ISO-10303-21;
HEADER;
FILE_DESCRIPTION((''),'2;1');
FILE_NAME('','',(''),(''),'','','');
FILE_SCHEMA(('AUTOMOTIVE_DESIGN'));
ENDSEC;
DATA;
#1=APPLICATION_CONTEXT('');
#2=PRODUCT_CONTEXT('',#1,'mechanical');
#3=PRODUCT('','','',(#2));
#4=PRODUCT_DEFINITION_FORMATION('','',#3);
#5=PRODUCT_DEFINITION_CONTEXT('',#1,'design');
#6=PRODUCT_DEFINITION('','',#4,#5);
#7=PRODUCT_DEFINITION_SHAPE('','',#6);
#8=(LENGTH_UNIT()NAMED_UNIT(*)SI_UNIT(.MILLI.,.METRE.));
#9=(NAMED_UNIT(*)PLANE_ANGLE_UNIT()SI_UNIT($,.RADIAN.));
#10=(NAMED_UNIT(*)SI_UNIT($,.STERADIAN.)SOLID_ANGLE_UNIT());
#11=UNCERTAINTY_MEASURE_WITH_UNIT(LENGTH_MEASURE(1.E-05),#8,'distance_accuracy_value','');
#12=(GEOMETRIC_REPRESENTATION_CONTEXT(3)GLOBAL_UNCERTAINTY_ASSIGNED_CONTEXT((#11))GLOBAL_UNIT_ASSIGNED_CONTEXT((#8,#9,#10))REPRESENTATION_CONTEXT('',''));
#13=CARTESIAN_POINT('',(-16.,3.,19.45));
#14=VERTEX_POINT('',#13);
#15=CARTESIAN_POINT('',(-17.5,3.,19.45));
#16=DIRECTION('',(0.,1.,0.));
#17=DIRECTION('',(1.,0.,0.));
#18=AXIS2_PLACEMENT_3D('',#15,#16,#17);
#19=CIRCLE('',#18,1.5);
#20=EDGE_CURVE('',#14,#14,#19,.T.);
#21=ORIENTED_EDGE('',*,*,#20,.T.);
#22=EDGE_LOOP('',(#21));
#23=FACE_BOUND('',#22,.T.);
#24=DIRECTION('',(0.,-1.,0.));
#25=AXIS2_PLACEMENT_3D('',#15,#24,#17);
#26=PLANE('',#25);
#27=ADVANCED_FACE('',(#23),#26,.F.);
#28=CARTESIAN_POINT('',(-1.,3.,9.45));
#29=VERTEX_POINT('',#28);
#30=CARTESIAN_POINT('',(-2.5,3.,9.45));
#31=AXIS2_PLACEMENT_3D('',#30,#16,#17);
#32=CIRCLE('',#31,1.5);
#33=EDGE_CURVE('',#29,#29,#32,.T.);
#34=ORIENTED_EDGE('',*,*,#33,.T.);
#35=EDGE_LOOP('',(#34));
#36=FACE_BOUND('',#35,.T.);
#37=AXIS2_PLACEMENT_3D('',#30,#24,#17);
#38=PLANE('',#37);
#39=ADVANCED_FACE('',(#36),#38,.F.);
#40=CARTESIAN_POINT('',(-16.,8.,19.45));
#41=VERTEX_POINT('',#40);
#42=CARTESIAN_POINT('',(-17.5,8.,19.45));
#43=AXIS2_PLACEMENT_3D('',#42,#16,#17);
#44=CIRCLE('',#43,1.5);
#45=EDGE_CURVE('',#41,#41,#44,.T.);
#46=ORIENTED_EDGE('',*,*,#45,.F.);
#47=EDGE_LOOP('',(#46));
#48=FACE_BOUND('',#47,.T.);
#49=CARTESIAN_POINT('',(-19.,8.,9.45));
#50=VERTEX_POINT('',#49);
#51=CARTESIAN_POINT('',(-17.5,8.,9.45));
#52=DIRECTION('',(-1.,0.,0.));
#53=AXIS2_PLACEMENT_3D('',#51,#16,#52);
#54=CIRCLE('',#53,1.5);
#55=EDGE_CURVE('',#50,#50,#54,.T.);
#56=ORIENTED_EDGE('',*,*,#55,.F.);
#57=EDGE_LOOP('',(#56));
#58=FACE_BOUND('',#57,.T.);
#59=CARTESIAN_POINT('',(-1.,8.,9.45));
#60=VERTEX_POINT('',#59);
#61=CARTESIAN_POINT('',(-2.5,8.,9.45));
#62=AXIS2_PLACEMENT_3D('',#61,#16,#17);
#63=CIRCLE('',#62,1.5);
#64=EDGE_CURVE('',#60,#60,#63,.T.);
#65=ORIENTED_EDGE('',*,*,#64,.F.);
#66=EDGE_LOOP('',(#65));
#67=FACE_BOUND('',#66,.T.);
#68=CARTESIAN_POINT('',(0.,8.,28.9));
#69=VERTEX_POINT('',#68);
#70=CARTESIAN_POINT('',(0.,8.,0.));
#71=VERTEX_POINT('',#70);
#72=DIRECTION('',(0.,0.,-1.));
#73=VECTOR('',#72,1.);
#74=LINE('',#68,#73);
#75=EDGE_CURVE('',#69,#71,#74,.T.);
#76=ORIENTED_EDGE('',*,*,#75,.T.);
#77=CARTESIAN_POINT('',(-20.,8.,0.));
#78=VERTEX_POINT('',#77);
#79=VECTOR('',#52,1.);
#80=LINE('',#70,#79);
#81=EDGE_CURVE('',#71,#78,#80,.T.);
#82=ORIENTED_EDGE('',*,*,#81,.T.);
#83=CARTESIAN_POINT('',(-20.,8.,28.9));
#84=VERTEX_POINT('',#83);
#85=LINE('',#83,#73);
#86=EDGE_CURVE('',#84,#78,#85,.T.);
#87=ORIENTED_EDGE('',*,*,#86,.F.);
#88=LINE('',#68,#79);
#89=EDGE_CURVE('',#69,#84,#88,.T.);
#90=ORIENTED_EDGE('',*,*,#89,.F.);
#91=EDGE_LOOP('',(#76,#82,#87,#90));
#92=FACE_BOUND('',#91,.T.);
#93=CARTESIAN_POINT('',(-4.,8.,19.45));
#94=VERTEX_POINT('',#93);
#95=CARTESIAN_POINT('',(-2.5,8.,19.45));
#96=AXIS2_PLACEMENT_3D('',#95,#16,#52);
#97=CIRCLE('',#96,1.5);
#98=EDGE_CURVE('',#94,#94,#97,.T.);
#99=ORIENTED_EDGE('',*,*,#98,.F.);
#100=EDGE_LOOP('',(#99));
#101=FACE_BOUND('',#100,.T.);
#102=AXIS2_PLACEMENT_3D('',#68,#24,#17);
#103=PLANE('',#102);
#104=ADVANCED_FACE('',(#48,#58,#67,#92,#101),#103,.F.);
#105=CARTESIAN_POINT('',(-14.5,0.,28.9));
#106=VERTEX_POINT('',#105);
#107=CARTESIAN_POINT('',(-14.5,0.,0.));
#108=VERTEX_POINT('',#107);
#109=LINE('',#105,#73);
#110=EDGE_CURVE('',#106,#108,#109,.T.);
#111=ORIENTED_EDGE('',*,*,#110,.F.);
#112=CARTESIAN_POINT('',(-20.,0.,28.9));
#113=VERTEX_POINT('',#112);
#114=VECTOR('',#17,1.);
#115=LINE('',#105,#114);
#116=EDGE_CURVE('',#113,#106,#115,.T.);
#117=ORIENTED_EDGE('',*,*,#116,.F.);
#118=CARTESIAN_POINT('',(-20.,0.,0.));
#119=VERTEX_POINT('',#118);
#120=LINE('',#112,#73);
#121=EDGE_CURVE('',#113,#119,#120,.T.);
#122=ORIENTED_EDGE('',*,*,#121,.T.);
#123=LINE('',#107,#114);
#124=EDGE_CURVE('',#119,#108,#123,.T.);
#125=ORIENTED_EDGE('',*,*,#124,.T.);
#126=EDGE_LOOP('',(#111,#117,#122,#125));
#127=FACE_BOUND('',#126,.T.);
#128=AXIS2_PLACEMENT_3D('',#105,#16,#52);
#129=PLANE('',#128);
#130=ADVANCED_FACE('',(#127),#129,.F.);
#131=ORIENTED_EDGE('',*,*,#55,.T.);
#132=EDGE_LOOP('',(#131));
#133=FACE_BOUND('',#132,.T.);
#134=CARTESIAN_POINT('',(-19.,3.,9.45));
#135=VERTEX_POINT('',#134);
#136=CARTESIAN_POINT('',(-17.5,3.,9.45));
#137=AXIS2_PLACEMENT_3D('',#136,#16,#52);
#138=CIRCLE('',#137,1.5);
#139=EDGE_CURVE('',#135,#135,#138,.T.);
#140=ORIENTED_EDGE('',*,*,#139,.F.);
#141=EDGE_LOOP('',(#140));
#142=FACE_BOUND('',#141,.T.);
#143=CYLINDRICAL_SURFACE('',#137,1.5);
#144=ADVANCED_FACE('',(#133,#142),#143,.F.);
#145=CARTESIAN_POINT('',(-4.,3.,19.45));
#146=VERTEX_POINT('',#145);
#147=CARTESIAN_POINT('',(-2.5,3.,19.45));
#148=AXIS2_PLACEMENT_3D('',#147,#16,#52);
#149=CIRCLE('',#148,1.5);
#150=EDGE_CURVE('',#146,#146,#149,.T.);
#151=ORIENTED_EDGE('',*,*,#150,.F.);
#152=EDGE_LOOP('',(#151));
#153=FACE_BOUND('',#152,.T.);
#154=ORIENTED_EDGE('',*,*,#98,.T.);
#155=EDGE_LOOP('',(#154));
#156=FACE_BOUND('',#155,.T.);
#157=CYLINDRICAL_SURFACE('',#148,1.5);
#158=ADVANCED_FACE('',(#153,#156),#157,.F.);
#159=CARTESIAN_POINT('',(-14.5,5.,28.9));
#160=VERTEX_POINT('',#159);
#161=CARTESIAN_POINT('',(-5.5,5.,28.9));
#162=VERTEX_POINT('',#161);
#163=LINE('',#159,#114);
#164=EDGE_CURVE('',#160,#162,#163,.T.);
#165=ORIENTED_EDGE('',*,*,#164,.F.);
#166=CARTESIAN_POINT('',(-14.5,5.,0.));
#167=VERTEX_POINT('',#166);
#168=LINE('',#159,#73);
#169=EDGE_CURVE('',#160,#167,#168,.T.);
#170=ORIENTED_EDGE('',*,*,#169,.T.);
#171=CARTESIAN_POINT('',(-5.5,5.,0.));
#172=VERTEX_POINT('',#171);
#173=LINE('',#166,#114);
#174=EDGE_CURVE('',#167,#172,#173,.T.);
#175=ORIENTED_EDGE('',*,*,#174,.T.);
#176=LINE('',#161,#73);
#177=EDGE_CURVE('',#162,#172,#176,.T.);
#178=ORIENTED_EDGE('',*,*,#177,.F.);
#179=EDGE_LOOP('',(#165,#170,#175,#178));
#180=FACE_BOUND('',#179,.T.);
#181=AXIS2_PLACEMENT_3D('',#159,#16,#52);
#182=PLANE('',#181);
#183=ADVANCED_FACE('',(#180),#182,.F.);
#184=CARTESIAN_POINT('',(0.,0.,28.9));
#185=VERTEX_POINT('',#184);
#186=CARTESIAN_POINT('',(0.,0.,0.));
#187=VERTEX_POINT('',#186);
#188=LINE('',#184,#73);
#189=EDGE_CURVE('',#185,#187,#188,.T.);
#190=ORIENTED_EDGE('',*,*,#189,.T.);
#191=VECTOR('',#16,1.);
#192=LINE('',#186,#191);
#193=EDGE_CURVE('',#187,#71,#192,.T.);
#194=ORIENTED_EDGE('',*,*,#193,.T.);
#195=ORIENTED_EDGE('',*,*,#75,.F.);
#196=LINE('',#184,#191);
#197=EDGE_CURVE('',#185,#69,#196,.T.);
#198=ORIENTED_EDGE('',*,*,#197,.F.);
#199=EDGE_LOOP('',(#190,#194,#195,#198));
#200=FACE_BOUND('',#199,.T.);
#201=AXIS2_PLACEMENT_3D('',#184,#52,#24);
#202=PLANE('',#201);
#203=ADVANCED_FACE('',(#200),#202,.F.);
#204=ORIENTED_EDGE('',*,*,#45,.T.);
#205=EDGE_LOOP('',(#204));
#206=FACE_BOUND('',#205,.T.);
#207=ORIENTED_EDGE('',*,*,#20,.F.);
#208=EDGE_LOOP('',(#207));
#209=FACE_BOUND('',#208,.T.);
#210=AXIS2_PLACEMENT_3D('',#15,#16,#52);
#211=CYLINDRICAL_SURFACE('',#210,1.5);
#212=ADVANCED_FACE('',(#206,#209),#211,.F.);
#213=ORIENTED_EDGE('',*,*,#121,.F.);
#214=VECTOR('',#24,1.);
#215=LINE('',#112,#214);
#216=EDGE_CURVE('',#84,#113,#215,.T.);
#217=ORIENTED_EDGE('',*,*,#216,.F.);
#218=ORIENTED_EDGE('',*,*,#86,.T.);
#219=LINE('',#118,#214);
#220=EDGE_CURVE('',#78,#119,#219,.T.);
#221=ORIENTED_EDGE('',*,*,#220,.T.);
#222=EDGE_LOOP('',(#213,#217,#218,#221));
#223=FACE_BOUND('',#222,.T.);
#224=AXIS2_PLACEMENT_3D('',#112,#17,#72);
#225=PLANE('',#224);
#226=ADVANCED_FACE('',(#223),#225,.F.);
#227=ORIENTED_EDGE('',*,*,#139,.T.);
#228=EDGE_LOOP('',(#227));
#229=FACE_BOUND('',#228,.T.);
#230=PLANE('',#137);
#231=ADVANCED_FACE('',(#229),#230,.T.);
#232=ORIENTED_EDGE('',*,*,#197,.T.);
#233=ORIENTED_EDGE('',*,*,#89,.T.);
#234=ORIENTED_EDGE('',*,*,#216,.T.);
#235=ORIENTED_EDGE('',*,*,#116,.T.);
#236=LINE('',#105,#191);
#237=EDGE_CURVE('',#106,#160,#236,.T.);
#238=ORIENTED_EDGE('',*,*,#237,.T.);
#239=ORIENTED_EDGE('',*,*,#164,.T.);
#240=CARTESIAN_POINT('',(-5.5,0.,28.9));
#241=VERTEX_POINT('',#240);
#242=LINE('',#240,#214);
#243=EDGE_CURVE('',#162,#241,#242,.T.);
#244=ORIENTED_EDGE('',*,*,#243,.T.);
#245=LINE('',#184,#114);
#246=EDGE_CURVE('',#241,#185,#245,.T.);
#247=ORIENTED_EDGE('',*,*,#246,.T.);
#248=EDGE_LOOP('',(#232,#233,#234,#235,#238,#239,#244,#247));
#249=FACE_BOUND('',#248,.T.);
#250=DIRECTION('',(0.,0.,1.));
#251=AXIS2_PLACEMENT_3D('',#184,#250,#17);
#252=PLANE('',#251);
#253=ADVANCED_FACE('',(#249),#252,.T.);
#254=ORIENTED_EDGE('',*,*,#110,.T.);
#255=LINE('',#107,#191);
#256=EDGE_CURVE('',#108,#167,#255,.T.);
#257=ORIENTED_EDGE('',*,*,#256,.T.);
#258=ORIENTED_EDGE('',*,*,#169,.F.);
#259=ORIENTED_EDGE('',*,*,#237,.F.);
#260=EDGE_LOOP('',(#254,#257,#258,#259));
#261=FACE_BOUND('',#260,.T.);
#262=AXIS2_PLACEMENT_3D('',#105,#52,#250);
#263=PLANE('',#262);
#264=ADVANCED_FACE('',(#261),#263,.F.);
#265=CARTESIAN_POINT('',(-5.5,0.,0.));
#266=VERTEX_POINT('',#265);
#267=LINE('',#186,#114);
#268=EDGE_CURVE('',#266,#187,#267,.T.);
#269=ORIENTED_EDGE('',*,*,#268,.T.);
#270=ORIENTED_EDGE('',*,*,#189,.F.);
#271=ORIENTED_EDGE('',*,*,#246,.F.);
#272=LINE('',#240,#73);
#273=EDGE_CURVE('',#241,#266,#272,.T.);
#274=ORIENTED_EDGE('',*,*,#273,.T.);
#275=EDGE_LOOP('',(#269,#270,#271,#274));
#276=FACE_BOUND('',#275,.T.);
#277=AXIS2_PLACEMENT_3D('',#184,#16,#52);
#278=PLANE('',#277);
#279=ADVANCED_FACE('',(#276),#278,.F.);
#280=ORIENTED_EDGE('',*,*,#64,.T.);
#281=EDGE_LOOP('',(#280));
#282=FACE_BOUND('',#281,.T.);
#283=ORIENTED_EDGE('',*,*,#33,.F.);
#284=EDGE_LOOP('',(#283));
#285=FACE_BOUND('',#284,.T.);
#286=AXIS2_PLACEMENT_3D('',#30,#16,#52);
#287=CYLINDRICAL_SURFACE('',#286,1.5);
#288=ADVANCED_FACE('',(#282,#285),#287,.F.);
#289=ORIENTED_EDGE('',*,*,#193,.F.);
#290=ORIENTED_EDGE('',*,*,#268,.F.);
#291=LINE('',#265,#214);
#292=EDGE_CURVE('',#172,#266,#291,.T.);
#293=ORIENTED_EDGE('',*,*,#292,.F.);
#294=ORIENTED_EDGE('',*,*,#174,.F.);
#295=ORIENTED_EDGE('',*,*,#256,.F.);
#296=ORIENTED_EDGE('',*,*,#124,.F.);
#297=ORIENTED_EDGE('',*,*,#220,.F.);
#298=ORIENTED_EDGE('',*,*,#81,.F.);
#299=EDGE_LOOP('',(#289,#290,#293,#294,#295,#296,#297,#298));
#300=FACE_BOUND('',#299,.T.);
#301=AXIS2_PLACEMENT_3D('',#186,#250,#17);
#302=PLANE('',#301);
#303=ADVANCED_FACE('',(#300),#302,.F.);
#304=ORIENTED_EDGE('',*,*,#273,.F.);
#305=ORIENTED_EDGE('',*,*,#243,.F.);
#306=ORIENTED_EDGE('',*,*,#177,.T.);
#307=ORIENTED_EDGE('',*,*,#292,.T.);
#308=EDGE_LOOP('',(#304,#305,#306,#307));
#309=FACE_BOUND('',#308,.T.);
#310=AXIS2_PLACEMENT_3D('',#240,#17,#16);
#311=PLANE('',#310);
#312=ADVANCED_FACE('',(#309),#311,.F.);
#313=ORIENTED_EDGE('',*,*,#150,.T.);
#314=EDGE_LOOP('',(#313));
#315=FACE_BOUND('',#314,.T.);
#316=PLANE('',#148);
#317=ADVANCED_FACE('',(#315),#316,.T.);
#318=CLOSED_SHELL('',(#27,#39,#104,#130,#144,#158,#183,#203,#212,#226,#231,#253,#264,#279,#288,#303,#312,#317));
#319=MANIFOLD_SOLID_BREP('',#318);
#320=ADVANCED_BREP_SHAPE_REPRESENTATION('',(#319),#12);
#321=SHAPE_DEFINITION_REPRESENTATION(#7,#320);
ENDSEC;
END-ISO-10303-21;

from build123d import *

# Parameters (mm, degrees)
EXTRUDE_1_DEPTH     = 28.9
SKETCH_2_R          = 1.5
CUT_EXTRUDE_1_DEPTH = 5


with BuildPart() as part:
    # 草图1 → 凸台-拉伸1 (new body)
    with BuildSketch(Plane.XY):
        Polygon((0, 0), (-5.5, 0), (-5.5, 5), (-14.5, 5), (-14.5, 0), (-20, 0), (-20, 8), (0, 8), align=None)
    extrude(amount=EXTRUDE_1_DEPTH)

    # 草图2 → 切除-拉伸1 (cut)
    with BuildSketch(Plane(origin=(0, 8, 0), x_dir=(1, 0, 0), z_dir=(0, 1, 0))):
        with Locations(Location((-17.5, -9.45, 0), (0, 0, 180))):
            Circle(SKETCH_2_R)
        with Locations((-2.5, -9.45)):
            Circle(SKETCH_2_R)
        with Locations(Location((-2.5, -19.45, 0), (0, 0, 180))):
            Circle(SKETCH_2_R)
        with Locations((-17.5, -19.45)):
            Circle(SKETCH_2_R)
    extrude(amount=-CUT_EXTRUDE_1_DEPTH, mode=Mode.SUBTRACT)


solid = part.part
